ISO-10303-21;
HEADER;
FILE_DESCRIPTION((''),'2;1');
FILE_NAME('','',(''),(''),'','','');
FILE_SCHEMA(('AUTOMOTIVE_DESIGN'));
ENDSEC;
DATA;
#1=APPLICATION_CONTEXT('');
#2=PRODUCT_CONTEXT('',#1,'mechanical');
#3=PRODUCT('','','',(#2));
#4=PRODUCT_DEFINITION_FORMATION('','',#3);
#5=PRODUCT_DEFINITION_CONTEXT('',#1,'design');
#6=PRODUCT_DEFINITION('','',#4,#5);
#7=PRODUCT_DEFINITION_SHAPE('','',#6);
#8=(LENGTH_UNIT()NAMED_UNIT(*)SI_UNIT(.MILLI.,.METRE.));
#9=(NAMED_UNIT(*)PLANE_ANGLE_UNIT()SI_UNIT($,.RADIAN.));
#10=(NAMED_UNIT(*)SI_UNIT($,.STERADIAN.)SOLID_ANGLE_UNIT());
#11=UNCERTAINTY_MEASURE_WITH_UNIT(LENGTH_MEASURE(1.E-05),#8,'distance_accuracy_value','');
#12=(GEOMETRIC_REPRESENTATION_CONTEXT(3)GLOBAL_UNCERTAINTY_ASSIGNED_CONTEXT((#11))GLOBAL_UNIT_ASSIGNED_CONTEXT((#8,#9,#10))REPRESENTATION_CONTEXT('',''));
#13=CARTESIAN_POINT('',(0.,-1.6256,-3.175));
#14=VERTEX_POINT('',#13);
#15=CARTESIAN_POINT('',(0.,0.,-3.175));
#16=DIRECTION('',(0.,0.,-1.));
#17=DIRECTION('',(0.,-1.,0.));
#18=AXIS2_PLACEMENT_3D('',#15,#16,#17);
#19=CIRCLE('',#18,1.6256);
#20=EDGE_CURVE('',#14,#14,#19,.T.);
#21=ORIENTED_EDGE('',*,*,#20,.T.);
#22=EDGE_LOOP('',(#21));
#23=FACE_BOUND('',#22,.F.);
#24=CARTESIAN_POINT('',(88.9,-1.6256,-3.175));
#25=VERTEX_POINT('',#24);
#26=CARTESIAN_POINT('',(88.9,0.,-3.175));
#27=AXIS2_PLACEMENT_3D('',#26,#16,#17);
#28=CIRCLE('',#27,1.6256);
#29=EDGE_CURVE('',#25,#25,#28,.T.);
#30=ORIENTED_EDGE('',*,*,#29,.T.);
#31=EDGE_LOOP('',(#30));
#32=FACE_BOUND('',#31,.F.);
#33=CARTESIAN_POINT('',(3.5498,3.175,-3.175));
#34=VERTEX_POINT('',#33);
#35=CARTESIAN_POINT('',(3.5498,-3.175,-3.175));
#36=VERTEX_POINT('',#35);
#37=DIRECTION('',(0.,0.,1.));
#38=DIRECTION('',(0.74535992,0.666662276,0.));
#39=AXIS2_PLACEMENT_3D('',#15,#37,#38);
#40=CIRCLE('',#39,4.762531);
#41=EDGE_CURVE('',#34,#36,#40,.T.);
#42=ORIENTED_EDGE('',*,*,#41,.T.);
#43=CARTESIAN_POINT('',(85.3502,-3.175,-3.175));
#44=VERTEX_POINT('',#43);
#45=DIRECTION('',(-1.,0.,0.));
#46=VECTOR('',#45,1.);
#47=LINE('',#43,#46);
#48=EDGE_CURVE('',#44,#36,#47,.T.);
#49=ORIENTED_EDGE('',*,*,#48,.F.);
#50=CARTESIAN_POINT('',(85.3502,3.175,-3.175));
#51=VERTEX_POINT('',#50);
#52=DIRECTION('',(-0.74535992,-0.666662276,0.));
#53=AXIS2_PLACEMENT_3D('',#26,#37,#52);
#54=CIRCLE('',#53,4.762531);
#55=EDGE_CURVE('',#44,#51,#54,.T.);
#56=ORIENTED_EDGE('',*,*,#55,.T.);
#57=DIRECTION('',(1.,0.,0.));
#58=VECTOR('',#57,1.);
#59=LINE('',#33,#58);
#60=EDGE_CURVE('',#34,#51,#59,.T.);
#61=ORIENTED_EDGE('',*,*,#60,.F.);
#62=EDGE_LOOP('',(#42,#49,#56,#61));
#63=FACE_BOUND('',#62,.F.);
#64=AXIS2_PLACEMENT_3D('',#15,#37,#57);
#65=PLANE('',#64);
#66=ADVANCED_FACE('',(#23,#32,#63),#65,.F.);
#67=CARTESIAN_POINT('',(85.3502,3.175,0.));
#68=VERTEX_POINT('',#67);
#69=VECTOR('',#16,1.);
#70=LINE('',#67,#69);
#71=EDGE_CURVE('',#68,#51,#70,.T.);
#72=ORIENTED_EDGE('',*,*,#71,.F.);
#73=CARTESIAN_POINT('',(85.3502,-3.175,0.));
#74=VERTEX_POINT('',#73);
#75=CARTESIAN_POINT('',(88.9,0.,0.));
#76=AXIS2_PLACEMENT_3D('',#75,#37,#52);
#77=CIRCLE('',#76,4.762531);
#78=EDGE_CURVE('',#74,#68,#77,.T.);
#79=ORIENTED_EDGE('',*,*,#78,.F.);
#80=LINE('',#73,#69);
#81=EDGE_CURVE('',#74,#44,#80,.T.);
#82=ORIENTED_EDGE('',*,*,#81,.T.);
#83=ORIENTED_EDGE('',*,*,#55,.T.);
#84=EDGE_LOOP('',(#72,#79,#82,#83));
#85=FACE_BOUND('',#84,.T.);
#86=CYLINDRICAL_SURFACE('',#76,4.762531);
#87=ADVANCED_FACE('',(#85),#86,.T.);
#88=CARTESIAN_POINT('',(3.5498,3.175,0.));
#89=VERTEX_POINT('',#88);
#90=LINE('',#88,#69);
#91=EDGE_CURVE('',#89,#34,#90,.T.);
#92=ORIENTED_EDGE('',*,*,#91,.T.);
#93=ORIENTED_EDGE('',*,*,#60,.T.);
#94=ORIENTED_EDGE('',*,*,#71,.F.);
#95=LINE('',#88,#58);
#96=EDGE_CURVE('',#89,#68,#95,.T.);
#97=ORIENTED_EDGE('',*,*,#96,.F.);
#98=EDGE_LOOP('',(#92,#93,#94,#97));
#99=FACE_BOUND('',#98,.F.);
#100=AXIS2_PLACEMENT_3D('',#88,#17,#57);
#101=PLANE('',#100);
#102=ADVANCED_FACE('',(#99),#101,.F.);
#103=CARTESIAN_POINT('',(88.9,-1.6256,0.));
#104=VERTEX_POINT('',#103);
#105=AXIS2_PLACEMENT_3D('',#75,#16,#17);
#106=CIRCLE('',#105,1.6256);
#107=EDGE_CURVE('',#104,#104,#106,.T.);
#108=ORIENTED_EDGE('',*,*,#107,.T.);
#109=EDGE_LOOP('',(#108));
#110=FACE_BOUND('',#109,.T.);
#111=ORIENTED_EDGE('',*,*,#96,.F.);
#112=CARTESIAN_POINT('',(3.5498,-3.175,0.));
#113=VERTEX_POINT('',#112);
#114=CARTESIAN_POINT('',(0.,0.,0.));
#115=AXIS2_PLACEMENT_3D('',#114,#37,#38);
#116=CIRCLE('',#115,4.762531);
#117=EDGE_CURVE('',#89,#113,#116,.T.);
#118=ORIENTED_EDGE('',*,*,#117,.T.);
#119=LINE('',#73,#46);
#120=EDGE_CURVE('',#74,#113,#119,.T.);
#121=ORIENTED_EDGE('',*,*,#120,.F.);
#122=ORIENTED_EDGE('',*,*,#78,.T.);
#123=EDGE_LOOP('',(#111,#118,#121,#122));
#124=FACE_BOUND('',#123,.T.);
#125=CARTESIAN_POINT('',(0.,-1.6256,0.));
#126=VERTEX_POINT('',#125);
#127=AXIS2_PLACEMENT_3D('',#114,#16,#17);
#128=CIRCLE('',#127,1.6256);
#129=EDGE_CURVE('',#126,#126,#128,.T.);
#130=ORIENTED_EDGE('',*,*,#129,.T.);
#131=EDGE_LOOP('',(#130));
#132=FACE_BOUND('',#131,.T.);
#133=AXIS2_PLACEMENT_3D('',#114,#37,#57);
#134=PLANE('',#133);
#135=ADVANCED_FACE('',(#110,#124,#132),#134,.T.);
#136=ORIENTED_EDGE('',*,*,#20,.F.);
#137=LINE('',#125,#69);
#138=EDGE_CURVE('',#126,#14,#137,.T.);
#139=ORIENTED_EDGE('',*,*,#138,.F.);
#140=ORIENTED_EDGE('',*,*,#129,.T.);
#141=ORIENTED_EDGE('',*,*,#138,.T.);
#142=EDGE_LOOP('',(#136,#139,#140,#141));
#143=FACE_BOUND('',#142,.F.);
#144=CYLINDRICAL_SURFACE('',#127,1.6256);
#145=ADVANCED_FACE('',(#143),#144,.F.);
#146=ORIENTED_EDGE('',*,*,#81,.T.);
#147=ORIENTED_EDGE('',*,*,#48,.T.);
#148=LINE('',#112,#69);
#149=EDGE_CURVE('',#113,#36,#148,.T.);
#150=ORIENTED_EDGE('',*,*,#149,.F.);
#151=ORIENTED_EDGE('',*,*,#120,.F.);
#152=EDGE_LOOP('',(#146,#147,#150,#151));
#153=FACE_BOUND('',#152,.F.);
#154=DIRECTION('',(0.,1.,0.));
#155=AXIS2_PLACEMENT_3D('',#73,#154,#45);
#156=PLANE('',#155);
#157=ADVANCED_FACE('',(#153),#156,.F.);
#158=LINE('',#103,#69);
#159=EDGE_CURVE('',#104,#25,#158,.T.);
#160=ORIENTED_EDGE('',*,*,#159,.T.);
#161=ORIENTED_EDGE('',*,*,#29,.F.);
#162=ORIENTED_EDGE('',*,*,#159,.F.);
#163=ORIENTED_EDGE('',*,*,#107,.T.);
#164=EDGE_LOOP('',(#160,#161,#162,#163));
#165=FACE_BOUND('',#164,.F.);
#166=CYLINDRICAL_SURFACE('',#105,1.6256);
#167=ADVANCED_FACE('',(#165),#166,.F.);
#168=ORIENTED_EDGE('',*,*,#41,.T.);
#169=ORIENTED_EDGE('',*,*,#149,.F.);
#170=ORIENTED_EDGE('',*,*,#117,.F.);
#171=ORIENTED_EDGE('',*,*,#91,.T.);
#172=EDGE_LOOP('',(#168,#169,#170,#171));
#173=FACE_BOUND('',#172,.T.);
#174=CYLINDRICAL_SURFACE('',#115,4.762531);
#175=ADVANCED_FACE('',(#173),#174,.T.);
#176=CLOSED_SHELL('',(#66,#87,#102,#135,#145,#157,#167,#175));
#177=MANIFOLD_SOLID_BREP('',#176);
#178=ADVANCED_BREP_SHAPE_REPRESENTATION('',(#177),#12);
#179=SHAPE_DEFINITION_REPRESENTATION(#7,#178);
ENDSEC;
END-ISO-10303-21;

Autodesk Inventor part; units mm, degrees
ref_plane "YZ Plane" through (0, 0, 0) normal (1, 0, 0) x (0, 1, 0)
ref_plane "XZ Plane" through (0, 0, 0) normal (0, 1, 0) x (-1, 0, 0)
ref_plane "XY Plane" through (0, 0, 0) normal (0, 0, 1) x (1, 0, 0)
sketch "Linkage Sketch" plane through (0, 0, 0) normal (0, 0, 1) x (1, 0, 0)
  arc A0 (3.5498, 3.175) -> (3.5498, -3.175) centre (0, 0) ccw
  line L0 (3.5498, 3.175) -> (85.3502, 3.175)
  line L1 (85.3502, 3.175) -> (85.3502, -3.175) construction
  line L2 (85.3502, -3.175) -> (3.5498, -3.175)
  line L3 (3.5498, -3.175) -> (3.5498, 3.175) construction
  arc A1 (85.3502, -3.175) -> (85.3502, 3.175) centre (88.9, 0) ccw
  dimension "d0" = 9.525
  dimension "d1" = 6.35
  dimension "d3" = 9.525
  dimension "d14" = 88.9
extrude "Linkeage extrution" add sketch "Linkage Sketch" against normal blind 3.175
hole "Linkage holes" at (0, 0, 0) at (88.9, 0, 0) direction (0, 0, -1) diameter 3.2512 end through all
properties part number "Caufield_Linkage_Arm"
